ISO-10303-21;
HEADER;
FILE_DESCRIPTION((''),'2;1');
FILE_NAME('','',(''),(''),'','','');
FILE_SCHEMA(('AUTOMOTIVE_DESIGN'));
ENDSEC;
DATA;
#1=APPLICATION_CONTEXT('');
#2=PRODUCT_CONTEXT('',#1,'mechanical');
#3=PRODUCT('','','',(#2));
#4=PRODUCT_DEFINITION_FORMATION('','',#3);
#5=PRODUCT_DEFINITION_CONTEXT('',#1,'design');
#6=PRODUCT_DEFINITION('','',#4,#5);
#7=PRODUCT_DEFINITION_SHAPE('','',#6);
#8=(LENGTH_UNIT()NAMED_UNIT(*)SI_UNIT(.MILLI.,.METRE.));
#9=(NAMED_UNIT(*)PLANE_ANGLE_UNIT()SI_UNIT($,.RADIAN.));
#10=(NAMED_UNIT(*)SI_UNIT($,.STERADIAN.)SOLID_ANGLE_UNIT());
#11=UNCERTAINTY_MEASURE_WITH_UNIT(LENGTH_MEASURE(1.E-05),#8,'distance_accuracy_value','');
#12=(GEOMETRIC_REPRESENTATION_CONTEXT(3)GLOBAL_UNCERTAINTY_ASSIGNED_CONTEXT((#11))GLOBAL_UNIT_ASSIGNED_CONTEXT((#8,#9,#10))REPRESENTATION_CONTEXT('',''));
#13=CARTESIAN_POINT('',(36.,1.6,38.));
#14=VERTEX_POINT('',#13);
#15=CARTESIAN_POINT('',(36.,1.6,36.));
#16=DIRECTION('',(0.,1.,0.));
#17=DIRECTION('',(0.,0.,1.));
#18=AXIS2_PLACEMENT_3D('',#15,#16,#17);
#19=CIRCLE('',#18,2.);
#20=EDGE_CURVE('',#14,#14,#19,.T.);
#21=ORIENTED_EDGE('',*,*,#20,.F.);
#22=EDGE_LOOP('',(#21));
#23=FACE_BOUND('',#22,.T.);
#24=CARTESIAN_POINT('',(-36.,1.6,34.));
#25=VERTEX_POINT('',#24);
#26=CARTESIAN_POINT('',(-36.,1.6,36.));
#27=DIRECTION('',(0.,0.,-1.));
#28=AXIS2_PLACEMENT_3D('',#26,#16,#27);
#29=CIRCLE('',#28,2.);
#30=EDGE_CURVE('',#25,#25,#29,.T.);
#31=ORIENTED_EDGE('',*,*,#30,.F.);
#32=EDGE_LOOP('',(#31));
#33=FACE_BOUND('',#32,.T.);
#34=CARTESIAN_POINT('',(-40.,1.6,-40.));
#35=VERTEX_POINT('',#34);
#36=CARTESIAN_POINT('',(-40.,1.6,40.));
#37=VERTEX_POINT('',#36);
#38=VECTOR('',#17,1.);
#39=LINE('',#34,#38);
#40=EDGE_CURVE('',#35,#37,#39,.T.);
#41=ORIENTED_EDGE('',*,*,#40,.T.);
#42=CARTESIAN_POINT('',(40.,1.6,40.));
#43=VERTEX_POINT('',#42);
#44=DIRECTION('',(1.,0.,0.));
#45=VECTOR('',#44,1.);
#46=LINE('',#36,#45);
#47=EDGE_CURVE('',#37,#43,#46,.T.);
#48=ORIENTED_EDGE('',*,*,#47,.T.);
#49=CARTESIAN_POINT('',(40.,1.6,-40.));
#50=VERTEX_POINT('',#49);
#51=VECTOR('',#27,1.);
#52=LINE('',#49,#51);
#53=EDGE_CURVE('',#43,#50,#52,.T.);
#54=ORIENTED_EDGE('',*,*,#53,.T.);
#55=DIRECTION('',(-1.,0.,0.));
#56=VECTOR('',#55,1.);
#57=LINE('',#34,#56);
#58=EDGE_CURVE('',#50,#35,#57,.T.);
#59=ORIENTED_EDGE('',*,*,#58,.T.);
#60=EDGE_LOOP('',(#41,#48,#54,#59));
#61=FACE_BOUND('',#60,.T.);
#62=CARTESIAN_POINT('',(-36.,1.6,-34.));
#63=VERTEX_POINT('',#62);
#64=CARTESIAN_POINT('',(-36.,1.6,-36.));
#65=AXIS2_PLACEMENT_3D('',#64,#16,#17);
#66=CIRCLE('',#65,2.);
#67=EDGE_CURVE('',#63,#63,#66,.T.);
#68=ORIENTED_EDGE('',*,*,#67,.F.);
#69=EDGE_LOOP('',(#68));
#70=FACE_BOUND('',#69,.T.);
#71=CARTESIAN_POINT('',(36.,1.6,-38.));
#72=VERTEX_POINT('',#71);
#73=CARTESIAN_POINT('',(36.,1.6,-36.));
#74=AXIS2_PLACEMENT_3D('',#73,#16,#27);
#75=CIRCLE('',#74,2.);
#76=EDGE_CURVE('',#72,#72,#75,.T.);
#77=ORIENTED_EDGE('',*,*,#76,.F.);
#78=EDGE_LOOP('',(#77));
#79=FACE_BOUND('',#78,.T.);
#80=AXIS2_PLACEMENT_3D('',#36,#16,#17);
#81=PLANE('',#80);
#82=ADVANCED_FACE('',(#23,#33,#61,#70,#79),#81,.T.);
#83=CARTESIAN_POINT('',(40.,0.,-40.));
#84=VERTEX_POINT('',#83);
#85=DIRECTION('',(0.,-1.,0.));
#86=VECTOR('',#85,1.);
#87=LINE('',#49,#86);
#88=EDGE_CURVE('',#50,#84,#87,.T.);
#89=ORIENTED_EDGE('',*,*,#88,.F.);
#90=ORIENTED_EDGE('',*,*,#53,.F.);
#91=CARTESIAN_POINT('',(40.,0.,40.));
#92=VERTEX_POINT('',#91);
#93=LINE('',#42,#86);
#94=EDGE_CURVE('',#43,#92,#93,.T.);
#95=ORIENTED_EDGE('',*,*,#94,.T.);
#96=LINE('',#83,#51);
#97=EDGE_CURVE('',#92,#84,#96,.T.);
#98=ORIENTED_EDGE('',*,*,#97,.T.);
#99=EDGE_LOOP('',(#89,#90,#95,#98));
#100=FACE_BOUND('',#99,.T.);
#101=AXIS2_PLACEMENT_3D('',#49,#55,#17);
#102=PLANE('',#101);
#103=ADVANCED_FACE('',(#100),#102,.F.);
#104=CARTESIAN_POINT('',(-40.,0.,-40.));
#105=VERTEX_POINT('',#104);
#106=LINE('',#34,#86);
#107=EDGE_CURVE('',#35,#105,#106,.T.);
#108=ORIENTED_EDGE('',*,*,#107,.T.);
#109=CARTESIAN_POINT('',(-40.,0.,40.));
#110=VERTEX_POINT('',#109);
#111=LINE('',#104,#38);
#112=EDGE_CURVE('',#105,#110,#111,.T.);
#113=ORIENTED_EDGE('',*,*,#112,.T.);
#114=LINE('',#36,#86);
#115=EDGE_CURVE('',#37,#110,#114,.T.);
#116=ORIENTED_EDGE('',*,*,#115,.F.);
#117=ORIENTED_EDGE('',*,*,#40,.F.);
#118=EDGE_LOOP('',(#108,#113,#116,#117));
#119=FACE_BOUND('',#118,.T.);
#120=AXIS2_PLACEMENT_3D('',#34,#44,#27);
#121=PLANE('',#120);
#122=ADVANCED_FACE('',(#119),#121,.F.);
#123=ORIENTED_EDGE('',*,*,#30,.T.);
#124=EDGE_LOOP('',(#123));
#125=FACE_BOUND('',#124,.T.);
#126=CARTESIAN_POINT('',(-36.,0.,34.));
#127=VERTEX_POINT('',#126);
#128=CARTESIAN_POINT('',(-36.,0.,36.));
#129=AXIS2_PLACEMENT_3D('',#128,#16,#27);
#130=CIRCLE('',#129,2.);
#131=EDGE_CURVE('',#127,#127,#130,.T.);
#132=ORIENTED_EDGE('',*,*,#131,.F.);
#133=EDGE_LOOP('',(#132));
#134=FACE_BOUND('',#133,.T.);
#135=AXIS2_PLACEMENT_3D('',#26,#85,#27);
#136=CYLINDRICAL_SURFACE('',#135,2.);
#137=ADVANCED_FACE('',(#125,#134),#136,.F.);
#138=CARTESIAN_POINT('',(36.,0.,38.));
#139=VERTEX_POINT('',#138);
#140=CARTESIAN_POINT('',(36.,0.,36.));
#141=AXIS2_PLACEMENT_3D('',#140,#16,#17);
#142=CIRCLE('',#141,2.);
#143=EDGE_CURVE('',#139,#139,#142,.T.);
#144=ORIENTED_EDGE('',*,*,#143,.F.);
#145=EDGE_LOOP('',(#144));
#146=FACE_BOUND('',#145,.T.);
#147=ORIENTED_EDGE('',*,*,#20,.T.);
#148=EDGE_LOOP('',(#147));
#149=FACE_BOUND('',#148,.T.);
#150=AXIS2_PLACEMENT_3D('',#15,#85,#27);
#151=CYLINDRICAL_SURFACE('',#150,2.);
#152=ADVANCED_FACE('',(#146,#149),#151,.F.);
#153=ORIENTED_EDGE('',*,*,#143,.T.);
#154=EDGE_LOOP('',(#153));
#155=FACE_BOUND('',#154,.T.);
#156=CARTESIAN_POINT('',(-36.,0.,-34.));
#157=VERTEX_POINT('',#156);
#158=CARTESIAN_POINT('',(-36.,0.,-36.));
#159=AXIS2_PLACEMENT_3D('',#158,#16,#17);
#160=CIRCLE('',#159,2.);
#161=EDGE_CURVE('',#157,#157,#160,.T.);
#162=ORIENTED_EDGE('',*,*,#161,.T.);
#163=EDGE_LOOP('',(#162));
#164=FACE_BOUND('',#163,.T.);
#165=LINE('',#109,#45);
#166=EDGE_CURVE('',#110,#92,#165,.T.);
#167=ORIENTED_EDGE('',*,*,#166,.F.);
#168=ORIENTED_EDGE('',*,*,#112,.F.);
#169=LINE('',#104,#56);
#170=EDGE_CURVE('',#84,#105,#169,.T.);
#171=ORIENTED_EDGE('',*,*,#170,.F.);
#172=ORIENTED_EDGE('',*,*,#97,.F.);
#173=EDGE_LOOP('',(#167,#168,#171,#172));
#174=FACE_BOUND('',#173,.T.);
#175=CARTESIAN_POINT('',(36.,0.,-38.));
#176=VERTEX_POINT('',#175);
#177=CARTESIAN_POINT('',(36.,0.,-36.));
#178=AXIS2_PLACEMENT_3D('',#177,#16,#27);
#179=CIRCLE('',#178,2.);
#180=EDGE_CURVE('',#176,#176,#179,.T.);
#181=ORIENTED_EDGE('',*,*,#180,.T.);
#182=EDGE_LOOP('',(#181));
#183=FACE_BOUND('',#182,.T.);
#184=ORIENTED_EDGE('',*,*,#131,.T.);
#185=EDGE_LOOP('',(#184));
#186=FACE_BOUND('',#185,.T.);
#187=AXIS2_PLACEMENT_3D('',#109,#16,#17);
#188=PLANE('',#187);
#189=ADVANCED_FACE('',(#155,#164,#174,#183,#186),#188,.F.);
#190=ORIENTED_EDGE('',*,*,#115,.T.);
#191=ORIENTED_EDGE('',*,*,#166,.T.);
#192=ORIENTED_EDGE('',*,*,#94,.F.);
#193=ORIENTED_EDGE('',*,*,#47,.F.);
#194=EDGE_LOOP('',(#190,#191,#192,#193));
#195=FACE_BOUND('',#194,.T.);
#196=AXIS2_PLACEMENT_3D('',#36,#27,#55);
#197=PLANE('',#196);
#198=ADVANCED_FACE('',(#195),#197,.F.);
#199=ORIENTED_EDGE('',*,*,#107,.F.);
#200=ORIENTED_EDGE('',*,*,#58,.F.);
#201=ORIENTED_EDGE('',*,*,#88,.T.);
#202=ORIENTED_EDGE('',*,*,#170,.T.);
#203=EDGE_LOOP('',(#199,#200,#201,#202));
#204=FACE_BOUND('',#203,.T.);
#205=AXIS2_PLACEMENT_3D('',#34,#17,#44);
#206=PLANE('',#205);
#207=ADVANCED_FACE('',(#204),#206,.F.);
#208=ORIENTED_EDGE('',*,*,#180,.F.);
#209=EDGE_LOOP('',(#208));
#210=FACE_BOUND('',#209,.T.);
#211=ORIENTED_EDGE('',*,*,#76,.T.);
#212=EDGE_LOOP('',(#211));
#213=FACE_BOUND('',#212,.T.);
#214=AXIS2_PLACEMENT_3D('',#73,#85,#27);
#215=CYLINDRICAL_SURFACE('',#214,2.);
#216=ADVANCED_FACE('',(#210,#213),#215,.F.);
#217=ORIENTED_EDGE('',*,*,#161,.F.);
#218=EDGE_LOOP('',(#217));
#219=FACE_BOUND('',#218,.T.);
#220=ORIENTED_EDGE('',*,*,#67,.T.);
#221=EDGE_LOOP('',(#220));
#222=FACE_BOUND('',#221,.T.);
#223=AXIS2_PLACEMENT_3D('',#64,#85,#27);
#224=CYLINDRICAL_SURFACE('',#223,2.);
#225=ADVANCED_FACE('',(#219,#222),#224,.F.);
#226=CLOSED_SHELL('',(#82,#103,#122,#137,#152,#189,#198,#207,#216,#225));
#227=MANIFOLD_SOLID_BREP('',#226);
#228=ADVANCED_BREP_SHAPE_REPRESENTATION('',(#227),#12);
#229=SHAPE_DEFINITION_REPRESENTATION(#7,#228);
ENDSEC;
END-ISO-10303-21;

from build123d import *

# Parameters (mm, degrees)
ESQUISSE1_W      = 80
ESQUISSE1_H      = 80
ESQUISSE1_R      = 2
EXTRUSION1_DEPTH = 1.6


with BuildPart() as part:
    # Esquisse1 → Extrusion1 (new body)
    with BuildSketch(Plane(origin=(0, 0, 0), x_dir=(1, 0, 0), z_dir=(0, 1, 0))):
        Rectangle(ESQUISSE1_W, ESQUISSE1_H)
        with Locations(Location((-36, 36, 0), (0, 0, 270))):
            Circle(ESQUISSE1_R, mode=Mode.SUBTRACT)
        with Locations(Location((36, 36, 0), (0, 0, 90))):
            Circle(ESQUISSE1_R, mode=Mode.SUBTRACT)
        with Locations(Location((36, -36, 0), (0, 0, 270))):
            Circle(ESQUISSE1_R, mode=Mode.SUBTRACT)
        with Locations(Location((-36, -36, 0), (0, 0, 90))):
            Circle(ESQUISSE1_R, mode=Mode.SUBTRACT)
    extrude(amount=EXTRUSION1_DEPTH)


solid = part.part
